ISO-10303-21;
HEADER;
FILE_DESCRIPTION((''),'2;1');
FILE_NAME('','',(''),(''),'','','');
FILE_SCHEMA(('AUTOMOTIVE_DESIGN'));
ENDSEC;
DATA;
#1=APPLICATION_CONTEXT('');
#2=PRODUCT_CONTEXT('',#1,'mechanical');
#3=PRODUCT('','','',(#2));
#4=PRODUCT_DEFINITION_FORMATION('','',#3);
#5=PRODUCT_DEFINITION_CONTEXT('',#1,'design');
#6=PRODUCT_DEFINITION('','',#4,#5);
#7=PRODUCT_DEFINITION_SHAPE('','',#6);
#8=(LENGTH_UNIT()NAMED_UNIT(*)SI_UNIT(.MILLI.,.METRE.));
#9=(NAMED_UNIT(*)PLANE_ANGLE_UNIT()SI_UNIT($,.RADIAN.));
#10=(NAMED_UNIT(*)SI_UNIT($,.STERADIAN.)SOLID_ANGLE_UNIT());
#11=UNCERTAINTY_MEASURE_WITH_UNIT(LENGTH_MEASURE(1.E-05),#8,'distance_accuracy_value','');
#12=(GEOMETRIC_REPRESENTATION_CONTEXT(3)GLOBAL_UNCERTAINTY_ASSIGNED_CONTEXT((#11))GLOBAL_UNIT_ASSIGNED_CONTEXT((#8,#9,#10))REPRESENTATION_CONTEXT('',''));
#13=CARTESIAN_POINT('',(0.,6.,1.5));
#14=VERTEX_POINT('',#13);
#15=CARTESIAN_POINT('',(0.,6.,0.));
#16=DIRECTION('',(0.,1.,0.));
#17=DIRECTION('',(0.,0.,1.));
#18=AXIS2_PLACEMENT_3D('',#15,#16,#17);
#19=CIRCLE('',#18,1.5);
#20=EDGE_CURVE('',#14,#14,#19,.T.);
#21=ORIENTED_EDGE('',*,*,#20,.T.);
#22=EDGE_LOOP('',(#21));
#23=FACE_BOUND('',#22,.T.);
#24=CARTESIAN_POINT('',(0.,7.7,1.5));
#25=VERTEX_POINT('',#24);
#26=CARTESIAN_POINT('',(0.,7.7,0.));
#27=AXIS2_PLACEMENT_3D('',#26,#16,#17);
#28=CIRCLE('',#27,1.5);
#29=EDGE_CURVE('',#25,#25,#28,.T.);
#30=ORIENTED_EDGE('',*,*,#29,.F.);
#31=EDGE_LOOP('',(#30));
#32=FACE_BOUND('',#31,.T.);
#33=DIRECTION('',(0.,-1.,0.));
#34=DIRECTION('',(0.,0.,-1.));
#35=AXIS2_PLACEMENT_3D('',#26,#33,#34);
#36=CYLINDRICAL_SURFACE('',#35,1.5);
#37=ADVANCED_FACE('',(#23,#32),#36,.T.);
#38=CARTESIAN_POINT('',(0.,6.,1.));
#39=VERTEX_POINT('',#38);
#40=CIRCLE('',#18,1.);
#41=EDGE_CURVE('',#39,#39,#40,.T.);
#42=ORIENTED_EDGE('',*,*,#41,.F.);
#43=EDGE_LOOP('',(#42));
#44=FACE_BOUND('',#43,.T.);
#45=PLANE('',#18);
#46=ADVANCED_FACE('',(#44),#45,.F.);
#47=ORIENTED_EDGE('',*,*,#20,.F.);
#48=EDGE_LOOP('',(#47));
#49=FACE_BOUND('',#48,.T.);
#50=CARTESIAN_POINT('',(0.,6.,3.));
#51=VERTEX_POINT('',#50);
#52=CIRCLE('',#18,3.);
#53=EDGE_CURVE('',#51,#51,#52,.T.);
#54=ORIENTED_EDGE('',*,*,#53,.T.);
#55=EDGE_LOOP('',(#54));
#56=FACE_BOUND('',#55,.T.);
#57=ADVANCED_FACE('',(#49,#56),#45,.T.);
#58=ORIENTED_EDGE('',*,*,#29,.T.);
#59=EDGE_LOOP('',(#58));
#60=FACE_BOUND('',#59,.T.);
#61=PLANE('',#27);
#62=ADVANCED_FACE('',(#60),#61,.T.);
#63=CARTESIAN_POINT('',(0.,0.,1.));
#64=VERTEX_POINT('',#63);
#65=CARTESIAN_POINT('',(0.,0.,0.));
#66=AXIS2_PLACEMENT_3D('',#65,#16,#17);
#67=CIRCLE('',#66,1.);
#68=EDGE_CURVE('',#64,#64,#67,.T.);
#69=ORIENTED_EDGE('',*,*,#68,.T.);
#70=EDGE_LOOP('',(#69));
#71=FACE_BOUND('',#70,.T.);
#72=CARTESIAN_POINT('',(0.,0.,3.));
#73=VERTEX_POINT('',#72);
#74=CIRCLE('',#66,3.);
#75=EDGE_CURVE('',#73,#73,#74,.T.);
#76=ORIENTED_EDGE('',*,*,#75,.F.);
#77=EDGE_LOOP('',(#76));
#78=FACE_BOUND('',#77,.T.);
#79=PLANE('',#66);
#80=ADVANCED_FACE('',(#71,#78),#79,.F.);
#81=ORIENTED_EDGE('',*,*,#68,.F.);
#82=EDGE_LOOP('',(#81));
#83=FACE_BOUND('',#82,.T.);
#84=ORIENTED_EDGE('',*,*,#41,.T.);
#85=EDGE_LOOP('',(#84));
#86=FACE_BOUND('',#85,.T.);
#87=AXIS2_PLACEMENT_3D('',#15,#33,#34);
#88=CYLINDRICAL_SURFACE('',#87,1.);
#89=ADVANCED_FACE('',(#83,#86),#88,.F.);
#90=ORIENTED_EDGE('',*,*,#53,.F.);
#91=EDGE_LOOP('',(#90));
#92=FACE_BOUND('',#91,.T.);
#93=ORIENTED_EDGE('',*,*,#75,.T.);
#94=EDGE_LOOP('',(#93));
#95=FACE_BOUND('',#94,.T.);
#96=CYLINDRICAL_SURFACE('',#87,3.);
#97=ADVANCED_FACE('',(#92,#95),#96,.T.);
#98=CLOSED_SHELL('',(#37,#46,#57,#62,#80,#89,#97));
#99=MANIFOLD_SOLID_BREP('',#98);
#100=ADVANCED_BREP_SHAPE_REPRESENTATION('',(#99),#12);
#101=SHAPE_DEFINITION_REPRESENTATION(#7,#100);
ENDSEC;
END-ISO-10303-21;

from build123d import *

# Parameters (mm, degrees)
SKETCH2_R           = 3
SKETCH2_R_2         = 1
BOSS_EXTRUDE1_DEPTH = 6
SKETCH3_R           = 1.5
BOSS_EXTRUDE2_DEPTH = 1.7


with BuildPart() as part:
    # Sketch2 → Boss-Extrude1 (new body)
    with BuildSketch(Plane(origin=(0, 0, 0), x_dir=(1, 0, 0), z_dir=(0, 1, 0))):
        with Locations(Location((0, 0, 0), (0, 0, 270))):
            Circle(SKETCH2_R)
        with Locations(Location((0, 0, 0), (0, 0, 270))):
            Circle(SKETCH2_R_2, mode=Mode.SUBTRACT)
    extrude(amount=BOSS_EXTRUDE1_DEPTH)

    # Sketch3 → Boss-Extrude2 (add)
    with BuildSketch(Plane(origin=(0, 6, 0), x_dir=(1, 0, 0), z_dir=(0, 1, 0))):
        with Locations(Location((0, 0, 0), (0, 0, 270))):
            Circle(SKETCH3_R)
    extrude(amount=BOSS_EXTRUDE2_DEPTH)


solid = part.part
